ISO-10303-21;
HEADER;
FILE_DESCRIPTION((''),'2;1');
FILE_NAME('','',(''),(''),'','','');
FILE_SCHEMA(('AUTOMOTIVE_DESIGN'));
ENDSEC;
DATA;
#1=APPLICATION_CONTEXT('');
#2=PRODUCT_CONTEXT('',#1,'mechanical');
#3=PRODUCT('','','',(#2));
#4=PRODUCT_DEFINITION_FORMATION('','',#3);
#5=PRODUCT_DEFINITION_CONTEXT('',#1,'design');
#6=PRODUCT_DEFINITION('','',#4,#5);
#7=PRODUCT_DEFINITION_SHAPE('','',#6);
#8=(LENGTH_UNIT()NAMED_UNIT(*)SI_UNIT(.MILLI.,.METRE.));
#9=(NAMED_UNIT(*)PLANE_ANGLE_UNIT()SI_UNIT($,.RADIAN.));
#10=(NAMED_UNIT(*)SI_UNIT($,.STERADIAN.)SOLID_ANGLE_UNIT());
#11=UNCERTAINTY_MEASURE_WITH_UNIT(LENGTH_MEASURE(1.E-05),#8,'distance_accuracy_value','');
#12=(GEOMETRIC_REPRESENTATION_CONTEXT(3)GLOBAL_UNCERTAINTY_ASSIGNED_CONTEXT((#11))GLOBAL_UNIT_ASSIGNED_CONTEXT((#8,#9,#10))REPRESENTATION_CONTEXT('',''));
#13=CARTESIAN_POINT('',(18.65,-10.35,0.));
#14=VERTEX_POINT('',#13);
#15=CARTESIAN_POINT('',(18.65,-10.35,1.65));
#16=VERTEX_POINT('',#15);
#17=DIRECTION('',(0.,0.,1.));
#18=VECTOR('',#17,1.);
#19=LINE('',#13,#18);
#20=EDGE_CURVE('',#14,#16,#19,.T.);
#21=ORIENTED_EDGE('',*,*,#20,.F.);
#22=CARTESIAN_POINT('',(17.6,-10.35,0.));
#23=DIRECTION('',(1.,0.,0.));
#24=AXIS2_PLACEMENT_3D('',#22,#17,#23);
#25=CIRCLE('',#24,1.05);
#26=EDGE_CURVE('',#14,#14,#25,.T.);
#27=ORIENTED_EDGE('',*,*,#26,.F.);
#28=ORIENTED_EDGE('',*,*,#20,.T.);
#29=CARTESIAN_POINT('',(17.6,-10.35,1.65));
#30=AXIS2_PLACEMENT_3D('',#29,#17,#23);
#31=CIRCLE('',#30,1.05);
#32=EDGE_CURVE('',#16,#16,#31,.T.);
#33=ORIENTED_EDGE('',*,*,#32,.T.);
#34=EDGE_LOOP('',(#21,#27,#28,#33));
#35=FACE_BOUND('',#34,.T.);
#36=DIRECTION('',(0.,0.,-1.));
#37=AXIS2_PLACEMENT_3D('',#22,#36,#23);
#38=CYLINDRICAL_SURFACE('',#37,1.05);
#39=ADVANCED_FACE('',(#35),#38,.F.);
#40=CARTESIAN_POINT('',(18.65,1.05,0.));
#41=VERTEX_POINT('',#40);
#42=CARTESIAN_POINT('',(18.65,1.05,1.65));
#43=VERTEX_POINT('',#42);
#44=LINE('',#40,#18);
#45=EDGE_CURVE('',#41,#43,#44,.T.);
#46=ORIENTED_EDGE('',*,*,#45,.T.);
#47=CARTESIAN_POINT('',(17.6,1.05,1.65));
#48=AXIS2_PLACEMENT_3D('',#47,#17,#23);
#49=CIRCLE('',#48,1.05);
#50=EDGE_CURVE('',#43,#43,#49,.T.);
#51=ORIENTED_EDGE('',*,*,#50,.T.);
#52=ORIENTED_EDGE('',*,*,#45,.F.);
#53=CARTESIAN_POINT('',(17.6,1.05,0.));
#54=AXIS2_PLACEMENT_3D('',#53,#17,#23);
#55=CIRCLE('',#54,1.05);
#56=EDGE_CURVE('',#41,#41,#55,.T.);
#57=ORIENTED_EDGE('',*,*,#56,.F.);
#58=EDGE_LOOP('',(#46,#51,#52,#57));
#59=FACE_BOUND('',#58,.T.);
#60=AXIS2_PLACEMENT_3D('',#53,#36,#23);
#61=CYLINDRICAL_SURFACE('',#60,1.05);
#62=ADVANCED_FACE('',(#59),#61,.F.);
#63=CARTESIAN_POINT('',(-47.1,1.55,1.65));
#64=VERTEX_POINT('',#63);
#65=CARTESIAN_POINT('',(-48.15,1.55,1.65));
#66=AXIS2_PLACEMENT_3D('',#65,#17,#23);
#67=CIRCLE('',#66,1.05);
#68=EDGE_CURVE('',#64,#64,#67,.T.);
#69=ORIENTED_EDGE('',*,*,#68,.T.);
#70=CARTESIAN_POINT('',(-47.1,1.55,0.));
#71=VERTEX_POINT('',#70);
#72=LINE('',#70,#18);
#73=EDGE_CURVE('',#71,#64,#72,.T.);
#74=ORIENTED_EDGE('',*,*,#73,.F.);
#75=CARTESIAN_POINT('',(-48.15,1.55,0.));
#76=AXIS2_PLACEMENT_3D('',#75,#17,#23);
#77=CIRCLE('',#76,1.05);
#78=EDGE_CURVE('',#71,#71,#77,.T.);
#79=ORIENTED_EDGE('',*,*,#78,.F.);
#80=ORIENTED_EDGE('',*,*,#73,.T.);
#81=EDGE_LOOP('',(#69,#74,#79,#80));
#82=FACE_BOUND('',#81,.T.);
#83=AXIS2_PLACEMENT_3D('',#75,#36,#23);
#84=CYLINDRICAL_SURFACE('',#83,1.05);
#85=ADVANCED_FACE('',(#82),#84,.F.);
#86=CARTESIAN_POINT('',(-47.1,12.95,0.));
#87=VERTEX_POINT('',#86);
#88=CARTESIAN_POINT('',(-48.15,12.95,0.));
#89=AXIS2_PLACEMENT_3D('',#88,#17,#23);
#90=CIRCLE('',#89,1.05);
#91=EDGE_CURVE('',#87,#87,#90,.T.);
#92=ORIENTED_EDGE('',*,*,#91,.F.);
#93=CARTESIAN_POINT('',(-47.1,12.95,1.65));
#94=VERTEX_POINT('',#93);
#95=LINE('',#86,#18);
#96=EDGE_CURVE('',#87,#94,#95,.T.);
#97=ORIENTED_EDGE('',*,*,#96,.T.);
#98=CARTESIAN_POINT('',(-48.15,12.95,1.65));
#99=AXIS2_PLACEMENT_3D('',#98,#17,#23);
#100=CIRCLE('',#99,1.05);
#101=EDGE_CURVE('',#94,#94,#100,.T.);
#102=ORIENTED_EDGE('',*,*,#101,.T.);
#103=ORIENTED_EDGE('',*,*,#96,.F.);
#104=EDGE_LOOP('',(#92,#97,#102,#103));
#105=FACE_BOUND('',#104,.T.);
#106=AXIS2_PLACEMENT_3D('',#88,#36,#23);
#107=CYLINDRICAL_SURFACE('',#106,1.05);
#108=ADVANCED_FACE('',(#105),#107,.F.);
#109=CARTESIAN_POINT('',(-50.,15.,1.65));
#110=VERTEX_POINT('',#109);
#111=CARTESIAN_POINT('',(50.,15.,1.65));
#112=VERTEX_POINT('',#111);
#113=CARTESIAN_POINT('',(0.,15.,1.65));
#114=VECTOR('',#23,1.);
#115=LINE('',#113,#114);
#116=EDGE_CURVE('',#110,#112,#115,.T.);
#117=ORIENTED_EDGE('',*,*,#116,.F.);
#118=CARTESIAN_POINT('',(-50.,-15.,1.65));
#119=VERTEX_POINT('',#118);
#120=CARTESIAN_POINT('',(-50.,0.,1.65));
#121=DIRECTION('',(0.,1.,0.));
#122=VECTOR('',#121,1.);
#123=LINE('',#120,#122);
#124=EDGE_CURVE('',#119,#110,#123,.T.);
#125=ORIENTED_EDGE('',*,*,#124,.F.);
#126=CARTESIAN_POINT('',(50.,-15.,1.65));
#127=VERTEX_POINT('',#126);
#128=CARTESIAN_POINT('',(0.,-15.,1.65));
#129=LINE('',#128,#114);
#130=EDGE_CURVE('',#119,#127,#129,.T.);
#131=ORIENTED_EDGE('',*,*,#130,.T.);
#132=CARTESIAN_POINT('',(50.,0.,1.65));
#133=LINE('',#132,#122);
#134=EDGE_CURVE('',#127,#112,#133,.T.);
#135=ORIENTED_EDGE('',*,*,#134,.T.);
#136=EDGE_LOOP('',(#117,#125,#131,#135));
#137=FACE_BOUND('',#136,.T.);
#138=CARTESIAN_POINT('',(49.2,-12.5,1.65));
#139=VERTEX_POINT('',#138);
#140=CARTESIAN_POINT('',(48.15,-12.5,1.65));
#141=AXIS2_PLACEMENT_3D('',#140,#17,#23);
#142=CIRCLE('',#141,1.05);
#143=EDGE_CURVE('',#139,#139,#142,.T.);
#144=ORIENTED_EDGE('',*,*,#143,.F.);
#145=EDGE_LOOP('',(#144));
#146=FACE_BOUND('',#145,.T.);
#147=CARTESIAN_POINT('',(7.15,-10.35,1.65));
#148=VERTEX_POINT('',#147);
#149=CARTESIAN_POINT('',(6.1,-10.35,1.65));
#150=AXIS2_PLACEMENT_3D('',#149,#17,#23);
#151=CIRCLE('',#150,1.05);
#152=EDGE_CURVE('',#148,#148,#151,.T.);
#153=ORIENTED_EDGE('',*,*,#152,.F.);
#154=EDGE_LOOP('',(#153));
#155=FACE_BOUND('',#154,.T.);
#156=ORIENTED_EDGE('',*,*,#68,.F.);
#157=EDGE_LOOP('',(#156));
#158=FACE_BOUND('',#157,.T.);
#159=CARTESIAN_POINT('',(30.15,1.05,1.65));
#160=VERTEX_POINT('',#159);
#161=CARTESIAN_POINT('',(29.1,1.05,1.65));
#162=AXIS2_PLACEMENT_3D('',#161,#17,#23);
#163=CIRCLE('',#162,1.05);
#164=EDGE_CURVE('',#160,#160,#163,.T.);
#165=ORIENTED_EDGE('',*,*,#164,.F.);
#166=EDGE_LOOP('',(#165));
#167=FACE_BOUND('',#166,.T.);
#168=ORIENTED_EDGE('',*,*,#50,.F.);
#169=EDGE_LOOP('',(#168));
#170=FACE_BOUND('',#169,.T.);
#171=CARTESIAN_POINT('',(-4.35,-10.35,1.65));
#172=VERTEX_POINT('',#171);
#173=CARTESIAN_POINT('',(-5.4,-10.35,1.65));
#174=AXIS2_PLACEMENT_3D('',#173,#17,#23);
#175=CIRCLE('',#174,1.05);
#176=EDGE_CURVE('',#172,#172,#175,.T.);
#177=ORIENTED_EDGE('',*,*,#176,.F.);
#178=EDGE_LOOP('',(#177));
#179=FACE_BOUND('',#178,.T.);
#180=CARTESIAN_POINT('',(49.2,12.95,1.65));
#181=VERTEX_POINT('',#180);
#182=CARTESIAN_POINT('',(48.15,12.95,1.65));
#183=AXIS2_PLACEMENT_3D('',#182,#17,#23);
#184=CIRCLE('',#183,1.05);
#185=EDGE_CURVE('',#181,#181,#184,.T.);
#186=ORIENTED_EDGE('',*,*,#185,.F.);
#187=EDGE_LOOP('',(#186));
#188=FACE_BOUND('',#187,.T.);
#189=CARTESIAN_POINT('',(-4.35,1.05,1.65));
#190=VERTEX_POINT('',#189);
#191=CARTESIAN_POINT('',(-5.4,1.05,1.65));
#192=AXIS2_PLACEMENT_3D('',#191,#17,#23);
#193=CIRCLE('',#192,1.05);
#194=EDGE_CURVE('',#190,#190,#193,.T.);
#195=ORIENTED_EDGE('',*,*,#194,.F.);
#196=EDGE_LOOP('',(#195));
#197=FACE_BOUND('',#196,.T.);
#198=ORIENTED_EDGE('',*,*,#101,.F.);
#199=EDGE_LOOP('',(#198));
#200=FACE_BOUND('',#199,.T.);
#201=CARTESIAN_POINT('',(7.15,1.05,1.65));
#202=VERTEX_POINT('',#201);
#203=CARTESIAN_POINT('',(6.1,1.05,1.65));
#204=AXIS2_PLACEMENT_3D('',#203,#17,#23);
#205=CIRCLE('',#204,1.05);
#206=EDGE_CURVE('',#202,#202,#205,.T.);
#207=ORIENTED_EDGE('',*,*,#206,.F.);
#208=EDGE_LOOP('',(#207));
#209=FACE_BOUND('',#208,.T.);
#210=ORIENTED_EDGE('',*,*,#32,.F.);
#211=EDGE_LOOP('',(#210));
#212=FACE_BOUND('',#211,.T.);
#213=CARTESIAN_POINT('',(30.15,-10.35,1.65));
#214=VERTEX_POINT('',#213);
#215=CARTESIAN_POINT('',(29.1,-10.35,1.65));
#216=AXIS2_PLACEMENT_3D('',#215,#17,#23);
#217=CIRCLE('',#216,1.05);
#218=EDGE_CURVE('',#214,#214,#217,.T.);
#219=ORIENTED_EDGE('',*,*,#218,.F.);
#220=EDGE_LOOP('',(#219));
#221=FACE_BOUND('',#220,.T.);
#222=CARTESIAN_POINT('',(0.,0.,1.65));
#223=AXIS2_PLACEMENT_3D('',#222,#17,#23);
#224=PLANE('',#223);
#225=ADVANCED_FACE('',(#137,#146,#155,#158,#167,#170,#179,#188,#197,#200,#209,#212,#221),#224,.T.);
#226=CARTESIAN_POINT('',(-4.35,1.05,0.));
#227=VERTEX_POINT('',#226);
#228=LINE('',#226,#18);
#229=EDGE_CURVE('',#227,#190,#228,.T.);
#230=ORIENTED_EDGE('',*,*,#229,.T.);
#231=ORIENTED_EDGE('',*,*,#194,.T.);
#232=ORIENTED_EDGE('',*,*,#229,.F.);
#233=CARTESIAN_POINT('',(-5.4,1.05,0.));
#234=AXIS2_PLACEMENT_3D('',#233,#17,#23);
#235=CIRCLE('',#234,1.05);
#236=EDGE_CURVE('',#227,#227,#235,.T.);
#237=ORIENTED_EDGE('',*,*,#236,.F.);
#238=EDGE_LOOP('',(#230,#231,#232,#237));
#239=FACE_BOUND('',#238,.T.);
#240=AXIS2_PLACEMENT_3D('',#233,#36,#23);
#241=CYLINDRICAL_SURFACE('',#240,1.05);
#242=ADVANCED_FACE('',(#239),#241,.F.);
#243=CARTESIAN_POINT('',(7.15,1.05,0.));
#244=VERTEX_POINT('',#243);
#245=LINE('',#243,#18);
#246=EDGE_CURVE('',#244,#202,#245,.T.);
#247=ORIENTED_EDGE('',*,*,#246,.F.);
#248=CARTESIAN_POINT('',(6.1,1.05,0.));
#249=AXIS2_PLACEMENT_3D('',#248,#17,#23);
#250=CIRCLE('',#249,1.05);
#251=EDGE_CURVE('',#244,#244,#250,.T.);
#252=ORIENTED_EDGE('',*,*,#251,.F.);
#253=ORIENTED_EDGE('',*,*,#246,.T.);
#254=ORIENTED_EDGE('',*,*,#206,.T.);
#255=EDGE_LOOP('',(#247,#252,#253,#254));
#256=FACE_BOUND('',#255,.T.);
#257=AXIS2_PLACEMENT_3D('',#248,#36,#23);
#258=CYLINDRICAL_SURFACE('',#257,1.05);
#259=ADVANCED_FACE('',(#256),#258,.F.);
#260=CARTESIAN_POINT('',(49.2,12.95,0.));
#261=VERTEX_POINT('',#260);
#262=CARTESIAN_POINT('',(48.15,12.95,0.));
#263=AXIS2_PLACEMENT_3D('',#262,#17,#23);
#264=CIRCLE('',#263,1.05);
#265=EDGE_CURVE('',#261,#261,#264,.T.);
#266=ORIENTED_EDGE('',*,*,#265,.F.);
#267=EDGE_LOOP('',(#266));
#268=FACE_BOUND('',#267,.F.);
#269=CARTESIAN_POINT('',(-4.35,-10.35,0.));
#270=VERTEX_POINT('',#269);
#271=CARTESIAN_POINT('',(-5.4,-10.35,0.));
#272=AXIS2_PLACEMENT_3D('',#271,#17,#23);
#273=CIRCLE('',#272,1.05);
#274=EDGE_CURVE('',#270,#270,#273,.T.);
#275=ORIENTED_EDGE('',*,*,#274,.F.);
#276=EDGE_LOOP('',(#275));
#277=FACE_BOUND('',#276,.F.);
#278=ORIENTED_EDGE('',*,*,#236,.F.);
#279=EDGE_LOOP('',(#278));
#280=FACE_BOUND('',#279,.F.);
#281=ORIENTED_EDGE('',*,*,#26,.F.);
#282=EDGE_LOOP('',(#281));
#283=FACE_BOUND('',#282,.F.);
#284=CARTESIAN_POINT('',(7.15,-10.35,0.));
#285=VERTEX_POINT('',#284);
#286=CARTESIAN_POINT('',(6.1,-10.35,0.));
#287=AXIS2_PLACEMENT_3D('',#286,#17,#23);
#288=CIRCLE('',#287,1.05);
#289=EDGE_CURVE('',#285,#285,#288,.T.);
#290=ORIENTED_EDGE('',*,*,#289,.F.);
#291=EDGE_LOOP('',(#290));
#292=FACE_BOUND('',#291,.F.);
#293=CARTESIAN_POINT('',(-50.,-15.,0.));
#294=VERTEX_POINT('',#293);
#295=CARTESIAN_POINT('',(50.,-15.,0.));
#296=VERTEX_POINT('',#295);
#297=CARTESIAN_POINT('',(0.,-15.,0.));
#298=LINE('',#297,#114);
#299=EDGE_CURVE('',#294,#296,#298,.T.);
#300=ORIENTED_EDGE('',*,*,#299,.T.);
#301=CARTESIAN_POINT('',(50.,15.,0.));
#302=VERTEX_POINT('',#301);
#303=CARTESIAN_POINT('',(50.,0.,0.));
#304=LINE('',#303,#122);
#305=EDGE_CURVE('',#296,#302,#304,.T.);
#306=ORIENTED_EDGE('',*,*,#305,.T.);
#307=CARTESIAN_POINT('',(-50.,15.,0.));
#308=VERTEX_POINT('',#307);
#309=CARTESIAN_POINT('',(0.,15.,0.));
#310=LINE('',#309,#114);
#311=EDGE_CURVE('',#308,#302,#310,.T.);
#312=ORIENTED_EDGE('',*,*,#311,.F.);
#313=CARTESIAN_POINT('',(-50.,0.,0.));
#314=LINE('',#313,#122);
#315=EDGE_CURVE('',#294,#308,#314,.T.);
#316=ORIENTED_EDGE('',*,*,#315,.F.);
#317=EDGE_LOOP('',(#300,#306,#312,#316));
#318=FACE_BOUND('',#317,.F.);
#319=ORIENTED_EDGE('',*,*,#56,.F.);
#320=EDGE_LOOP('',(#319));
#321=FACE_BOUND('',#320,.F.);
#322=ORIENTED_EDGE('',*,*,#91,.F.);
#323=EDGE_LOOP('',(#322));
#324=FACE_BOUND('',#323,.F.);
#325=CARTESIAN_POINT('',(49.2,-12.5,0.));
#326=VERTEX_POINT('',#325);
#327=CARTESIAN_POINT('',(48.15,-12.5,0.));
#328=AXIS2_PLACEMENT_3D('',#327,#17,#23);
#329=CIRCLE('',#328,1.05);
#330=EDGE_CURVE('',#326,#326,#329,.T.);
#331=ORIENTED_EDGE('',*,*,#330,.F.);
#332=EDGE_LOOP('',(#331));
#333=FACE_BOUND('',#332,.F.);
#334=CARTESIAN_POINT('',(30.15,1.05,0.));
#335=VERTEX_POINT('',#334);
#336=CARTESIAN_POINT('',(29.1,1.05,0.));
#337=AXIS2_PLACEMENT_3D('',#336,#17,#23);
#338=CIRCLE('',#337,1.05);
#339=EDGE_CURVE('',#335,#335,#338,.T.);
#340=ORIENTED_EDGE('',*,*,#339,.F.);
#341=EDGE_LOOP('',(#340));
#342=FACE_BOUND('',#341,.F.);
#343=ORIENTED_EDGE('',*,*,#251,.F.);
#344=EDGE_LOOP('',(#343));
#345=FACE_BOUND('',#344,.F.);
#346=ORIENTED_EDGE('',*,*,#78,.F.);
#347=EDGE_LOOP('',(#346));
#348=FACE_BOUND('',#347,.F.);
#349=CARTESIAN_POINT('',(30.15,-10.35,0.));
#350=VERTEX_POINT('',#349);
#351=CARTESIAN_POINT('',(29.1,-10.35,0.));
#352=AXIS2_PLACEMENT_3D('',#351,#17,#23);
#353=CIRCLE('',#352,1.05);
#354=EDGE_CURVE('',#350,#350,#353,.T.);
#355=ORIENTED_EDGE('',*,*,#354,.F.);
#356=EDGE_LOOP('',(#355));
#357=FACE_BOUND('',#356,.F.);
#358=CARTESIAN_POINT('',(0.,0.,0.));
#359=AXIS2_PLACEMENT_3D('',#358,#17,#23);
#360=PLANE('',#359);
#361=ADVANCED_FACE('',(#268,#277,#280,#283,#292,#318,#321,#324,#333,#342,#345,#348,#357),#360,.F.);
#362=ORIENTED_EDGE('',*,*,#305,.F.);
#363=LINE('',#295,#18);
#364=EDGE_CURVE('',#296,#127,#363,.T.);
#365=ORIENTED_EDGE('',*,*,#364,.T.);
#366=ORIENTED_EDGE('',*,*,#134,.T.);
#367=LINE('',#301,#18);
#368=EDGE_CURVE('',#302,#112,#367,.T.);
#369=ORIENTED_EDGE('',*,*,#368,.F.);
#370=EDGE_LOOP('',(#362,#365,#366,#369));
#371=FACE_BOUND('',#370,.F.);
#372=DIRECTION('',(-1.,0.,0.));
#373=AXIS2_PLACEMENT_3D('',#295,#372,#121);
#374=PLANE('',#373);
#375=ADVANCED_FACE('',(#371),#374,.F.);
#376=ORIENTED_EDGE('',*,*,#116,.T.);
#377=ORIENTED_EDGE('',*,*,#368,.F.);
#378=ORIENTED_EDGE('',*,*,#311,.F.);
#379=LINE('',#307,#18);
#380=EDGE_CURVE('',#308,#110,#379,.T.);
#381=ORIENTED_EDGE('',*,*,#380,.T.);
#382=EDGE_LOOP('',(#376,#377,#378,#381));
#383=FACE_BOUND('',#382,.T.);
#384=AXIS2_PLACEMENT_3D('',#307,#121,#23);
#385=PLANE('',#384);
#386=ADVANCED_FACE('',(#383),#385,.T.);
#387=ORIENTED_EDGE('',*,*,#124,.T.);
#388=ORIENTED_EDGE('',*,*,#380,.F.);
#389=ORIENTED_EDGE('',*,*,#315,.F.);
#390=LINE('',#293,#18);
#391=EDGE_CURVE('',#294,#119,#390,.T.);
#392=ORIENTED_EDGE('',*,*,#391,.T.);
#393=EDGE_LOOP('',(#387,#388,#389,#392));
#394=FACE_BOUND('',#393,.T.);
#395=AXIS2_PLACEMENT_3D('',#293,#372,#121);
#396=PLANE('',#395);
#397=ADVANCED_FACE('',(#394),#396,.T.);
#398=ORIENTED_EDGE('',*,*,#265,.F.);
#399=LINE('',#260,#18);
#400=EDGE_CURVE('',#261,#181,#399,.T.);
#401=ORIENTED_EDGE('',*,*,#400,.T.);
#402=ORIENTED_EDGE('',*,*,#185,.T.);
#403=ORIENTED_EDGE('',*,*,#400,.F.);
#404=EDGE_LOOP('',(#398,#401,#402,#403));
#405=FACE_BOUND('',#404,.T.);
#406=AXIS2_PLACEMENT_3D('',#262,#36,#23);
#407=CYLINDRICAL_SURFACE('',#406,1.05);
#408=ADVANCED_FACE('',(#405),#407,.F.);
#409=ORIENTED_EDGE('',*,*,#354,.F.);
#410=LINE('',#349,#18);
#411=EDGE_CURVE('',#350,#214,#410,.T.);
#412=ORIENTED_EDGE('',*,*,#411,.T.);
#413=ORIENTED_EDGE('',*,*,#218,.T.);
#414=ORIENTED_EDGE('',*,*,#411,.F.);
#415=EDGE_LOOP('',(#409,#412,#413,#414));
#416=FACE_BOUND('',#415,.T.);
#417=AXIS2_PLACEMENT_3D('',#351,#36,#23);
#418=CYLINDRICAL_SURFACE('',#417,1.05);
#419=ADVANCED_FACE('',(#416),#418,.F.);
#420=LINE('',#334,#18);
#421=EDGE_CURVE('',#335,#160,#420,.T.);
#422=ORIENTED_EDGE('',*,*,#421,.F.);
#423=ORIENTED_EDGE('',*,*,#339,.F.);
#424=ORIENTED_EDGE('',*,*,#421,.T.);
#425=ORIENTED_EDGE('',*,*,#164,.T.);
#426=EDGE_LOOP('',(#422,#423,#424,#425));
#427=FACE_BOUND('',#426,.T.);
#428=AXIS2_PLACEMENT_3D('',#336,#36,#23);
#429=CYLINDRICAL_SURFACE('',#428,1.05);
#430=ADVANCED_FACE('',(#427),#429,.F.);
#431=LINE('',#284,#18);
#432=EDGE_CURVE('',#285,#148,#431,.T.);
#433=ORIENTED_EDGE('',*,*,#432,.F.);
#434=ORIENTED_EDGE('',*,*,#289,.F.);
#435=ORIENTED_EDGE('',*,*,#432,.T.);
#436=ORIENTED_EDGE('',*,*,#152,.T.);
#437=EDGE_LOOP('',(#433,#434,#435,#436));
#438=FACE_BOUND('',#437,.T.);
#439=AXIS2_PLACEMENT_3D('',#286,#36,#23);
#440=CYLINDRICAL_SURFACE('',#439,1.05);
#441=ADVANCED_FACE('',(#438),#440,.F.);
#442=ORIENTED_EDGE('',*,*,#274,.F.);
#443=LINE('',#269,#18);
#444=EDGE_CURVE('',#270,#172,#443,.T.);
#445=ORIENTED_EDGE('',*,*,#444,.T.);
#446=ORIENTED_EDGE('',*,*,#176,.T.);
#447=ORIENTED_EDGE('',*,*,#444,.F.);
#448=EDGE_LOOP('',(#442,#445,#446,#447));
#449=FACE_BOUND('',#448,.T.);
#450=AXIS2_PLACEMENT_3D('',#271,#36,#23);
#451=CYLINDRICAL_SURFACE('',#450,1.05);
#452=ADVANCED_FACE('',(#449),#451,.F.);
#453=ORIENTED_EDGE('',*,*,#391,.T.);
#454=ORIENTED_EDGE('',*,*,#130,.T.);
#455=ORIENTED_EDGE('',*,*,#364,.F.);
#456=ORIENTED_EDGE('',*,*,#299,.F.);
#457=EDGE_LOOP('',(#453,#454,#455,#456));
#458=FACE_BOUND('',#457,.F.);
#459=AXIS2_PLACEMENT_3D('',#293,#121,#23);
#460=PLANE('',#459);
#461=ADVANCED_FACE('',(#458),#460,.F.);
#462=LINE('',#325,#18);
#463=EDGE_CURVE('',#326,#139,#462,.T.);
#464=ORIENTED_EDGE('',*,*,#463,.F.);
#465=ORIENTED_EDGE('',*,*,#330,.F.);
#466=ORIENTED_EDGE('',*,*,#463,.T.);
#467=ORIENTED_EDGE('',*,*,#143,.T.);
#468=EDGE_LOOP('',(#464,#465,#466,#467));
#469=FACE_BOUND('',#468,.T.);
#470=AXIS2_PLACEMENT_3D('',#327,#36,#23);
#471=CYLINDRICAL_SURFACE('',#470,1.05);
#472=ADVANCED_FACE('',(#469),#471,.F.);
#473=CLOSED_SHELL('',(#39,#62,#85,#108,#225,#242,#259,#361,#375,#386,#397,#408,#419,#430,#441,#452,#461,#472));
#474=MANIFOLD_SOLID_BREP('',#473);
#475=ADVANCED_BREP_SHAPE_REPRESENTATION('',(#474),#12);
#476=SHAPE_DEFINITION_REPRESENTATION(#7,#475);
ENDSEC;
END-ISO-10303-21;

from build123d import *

# Parameters (mm, degrees)
F0_W     = 100
F0_H     = 30
F0_R     = 1.05
F1_DEPTH = 1.65


with BuildPart() as f1:
    # F0 (on Top) → F1 (new body)
    with BuildSketch(Plane.XY):
        Rectangle(F0_W, F0_H)
        with Locations((-5.4, -10.35)):
            Circle(F0_R, mode=Mode.SUBTRACT)
        with Locations((6.1, -10.35)):
            Circle(F0_R, mode=Mode.SUBTRACT)
        with Locations((17.6, -10.35)):
            Circle(F0_R, mode=Mode.SUBTRACT)
        with Locations((48.15, -12.5)):
            Circle(F0_R, mode=Mode.SUBTRACT)
        with Locations((29.1, -10.35)):
            Circle(F0_R, mode=Mode.SUBTRACT)
        with Locations((-48.15, 1.55)):
            Circle(F0_R, mode=Mode.SUBTRACT)
        with Locations((-5.4, 1.05)):
            Circle(F0_R, mode=Mode.SUBTRACT)
        with Locations((-48.15, 12.95)):
            Circle(F0_R, mode=Mode.SUBTRACT)
        with Locations((6.1, 1.05)):
            Circle(F0_R, mode=Mode.SUBTRACT)
        with Locations((17.6, 1.05)):
            Circle(F0_R, mode=Mode.SUBTRACT)
        with Locations((29.1, 1.05)):
            Circle(F0_R, mode=Mode.SUBTRACT)
        with Locations((48.15, 12.95)):
            Circle(F0_R, mode=Mode.SUBTRACT)
    extrude(amount=F1_DEPTH)


solid = f1.part
